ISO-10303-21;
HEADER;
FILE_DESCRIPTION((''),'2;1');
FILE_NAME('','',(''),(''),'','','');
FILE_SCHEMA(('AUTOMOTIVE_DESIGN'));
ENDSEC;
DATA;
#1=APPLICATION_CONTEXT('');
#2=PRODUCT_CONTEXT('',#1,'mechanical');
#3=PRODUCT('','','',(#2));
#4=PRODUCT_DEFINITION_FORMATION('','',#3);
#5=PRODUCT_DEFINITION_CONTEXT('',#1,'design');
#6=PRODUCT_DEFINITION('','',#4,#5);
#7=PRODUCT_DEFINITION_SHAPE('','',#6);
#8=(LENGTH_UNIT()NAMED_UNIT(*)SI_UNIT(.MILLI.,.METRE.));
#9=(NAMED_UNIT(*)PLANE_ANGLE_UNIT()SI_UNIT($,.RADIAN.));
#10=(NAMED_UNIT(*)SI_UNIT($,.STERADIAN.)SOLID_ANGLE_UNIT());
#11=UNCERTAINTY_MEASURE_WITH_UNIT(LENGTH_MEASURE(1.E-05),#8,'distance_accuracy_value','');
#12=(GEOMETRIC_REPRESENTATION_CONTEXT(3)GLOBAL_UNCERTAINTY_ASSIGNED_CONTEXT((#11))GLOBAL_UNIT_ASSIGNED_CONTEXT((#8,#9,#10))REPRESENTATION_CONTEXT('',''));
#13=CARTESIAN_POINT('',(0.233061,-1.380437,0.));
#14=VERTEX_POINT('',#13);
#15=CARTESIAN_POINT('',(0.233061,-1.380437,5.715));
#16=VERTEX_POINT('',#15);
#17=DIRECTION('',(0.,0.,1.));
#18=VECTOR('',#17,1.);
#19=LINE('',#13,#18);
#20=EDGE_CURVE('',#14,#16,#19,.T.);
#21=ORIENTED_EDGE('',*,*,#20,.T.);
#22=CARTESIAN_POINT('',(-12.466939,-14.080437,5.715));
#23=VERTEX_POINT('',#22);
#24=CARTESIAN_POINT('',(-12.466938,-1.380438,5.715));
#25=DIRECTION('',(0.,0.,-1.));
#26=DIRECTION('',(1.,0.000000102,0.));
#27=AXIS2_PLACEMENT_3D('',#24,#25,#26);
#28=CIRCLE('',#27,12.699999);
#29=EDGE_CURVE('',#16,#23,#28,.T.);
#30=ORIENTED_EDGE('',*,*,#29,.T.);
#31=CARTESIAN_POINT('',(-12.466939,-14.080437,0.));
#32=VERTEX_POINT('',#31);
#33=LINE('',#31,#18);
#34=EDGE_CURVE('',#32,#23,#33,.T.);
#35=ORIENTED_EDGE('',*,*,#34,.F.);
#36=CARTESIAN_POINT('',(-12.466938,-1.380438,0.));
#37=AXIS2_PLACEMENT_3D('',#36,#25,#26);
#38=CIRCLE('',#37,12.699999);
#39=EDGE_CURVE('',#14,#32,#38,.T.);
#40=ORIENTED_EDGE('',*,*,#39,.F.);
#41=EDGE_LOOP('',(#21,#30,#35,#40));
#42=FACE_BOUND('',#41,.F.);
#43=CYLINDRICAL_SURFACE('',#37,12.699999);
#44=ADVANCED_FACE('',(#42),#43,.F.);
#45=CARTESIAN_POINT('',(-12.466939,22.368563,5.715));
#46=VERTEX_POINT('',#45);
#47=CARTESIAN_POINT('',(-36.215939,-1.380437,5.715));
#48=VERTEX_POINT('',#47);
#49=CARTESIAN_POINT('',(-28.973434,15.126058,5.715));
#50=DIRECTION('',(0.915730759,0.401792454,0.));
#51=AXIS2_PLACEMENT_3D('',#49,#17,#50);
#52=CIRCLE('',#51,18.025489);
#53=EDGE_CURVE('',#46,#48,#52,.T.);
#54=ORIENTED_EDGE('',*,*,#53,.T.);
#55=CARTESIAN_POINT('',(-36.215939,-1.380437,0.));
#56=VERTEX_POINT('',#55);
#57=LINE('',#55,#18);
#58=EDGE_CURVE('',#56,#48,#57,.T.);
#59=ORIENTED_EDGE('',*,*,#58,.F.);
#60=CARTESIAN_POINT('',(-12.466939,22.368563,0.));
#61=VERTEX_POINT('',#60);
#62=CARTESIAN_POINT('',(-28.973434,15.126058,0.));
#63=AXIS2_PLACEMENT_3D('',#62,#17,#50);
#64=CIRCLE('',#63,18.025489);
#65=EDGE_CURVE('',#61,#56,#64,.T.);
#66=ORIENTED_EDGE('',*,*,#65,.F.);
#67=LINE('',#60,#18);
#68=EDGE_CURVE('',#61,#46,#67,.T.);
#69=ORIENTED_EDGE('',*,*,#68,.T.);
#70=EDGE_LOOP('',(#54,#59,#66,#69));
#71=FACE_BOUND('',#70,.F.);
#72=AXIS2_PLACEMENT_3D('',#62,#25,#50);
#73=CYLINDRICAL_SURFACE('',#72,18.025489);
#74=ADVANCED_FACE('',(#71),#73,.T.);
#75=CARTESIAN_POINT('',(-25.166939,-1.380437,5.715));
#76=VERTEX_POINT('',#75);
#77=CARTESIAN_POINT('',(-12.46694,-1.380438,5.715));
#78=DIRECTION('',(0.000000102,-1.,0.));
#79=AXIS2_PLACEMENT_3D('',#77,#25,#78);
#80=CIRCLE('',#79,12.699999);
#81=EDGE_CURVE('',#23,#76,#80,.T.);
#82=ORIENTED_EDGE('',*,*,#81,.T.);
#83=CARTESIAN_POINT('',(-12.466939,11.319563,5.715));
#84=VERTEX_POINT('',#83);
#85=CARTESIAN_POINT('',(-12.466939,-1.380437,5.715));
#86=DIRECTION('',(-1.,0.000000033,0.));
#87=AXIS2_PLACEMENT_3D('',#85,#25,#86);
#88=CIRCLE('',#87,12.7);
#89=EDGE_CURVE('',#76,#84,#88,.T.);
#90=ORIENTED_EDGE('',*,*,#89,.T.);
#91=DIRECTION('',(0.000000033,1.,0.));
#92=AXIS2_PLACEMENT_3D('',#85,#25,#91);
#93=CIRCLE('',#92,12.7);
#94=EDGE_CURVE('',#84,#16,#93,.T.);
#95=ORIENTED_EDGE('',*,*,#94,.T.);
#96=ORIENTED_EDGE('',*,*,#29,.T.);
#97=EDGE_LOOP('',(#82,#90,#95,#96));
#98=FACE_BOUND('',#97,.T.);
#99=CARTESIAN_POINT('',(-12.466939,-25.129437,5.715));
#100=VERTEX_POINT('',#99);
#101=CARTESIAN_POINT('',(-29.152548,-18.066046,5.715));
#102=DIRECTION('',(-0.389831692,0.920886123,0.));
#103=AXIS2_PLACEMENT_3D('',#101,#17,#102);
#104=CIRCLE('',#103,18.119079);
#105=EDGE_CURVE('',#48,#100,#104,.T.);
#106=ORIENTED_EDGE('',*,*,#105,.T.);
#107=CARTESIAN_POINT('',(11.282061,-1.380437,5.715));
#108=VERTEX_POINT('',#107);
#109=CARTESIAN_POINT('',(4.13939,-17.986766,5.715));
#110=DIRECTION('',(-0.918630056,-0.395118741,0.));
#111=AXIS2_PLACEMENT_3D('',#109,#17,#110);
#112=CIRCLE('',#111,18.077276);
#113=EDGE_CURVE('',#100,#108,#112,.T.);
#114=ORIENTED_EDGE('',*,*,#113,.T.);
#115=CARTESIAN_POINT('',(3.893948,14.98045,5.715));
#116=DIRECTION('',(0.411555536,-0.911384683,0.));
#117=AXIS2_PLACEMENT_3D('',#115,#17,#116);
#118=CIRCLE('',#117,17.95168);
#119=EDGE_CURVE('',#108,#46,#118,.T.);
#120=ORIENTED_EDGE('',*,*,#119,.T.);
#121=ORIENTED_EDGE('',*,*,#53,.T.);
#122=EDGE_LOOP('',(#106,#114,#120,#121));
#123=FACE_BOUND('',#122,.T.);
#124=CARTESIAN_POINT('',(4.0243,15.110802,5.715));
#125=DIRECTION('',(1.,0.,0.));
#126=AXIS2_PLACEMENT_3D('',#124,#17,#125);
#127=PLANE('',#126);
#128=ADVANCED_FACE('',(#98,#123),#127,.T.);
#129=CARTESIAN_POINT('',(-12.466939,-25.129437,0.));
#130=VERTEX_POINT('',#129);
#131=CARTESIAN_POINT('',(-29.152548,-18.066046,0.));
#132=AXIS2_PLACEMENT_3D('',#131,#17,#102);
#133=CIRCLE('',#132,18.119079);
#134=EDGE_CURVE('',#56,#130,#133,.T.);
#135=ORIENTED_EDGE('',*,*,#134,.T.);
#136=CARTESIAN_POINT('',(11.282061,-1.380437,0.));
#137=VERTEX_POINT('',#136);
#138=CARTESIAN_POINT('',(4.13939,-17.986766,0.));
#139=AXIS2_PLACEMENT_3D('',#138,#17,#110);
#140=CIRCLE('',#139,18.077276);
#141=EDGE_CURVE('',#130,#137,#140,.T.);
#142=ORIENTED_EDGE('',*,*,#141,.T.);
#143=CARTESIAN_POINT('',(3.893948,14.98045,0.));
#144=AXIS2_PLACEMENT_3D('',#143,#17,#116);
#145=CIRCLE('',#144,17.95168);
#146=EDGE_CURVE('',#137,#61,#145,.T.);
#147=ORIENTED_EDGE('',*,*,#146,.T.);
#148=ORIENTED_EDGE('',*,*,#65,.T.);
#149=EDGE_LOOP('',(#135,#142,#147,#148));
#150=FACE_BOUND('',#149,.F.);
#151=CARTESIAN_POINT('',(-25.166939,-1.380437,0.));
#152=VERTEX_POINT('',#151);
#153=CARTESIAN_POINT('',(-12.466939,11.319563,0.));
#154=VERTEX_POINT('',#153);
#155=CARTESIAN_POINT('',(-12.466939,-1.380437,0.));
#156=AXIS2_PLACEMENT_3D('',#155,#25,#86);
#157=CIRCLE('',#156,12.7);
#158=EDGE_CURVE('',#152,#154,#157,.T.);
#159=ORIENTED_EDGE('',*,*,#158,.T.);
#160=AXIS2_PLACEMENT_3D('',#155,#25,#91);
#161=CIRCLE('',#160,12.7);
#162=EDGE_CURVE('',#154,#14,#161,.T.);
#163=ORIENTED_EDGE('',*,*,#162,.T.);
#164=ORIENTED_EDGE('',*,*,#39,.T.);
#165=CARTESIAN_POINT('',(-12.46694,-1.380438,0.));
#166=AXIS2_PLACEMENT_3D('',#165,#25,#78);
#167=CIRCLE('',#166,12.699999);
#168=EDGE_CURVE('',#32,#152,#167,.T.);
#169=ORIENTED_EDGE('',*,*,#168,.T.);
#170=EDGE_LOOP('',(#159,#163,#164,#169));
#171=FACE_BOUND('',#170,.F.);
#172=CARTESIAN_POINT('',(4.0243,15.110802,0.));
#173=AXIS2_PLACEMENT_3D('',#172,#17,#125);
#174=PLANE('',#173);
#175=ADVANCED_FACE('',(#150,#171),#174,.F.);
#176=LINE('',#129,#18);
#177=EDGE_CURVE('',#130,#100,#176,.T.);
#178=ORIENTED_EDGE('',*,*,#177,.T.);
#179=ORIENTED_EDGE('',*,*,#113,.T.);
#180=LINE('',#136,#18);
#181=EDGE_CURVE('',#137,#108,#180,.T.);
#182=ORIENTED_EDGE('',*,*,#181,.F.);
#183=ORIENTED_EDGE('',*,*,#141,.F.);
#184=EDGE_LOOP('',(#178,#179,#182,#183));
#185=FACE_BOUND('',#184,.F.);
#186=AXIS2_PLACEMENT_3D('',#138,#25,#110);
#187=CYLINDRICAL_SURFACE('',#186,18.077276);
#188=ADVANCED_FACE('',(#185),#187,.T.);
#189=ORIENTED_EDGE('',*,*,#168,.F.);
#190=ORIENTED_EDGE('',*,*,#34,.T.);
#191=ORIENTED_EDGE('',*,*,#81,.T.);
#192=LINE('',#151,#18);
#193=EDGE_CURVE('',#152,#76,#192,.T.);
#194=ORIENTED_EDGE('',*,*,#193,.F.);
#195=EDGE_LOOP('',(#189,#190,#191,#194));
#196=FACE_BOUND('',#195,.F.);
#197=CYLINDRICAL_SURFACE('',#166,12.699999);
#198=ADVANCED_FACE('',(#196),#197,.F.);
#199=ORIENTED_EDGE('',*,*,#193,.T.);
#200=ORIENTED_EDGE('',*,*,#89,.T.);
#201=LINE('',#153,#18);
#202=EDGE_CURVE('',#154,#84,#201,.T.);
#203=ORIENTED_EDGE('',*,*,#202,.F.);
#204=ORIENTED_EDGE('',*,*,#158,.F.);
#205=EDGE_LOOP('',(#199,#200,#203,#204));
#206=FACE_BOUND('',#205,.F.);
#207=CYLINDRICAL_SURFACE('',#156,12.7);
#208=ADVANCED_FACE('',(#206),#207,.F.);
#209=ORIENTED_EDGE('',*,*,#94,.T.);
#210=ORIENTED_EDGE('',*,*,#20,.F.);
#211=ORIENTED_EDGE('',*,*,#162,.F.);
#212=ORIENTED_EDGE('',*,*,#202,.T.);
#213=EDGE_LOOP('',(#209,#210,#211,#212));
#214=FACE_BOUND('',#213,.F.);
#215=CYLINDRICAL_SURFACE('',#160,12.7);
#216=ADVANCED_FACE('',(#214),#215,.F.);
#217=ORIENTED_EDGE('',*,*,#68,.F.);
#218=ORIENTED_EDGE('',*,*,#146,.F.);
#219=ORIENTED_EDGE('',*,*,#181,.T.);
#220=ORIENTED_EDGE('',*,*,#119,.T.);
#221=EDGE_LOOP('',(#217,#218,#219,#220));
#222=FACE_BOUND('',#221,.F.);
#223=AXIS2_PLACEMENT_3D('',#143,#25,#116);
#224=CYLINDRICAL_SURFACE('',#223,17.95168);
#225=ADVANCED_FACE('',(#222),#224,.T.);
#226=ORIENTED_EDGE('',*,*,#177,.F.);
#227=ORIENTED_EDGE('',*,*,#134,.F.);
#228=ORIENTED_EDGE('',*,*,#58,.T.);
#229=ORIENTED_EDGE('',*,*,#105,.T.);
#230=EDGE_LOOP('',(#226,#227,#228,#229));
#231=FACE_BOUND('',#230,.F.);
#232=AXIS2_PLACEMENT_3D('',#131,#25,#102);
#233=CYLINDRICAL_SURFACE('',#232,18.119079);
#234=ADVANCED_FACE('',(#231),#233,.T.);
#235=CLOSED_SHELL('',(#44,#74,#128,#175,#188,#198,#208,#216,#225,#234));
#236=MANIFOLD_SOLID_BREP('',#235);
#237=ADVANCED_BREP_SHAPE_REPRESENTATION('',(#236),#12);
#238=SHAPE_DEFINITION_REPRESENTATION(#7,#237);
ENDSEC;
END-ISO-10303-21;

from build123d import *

# Parameters (mm, degrees)
F1_DEPTH = 5.715


with BuildPart() as f1:
    # F0 (on Top) → F1 (new body)
    with BuildSketch(Plane.XY):
        with BuildLine():
            ThreePointArc((-12.466939, 11.319563), (-3.486683, 7.599819), (0.233061, -1.380437))
            Line((0.233061, -1.380437), (11.282061, -1.380437))
            ThreePointArc((11.282061, -1.380437), (16.587703, 27.674204), (-12.466939, 22.368563))
            Line((-12.466939, 22.368563), (-12.466939, 11.319563))
        make_face()
        with BuildLine():
            Line((11.282061, -1.380437), (0.233061, -1.380437))
            ThreePointArc((0.233061, -1.380437), (-3.486683, -10.360694), (-12.466939, -14.080437))
            Line((-12.466939, -14.080437), (-12.466939, -25.129437))
            ThreePointArc((-12.466939, -25.129437), (16.921955, -30.769331), (11.282061, -1.380437))
        make_face()
        with BuildLine():
            ThreePointArc((-25.166939, -1.380437), (-21.447195, 7.599819), (-12.466939, 11.319563))
            Line((-12.466939, 11.319563), (-12.466939, 22.368563))
            ThreePointArc((-12.466939, 22.368563), (-41.719379, 27.872003), (-36.215939, -1.380437))
            Line((-36.215939, -1.380437), (-25.166939, -1.380437))
        make_face()
        with BuildLine():
            Line((-12.466939, -25.129437), (-12.466939, -14.080437))
            ThreePointArc((-12.466939, -14.080437), (-21.447195, -10.360694), (-25.166939, -1.380437))
            Line((-25.166939, -1.380437), (-36.215939, -1.380437))
            ThreePointArc((-36.215939, -1.380437), (-41.964671, -30.87817), (-12.466939, -25.129437))
        make_face()
    extrude(amount=F1_DEPTH)


solid = f1.part
